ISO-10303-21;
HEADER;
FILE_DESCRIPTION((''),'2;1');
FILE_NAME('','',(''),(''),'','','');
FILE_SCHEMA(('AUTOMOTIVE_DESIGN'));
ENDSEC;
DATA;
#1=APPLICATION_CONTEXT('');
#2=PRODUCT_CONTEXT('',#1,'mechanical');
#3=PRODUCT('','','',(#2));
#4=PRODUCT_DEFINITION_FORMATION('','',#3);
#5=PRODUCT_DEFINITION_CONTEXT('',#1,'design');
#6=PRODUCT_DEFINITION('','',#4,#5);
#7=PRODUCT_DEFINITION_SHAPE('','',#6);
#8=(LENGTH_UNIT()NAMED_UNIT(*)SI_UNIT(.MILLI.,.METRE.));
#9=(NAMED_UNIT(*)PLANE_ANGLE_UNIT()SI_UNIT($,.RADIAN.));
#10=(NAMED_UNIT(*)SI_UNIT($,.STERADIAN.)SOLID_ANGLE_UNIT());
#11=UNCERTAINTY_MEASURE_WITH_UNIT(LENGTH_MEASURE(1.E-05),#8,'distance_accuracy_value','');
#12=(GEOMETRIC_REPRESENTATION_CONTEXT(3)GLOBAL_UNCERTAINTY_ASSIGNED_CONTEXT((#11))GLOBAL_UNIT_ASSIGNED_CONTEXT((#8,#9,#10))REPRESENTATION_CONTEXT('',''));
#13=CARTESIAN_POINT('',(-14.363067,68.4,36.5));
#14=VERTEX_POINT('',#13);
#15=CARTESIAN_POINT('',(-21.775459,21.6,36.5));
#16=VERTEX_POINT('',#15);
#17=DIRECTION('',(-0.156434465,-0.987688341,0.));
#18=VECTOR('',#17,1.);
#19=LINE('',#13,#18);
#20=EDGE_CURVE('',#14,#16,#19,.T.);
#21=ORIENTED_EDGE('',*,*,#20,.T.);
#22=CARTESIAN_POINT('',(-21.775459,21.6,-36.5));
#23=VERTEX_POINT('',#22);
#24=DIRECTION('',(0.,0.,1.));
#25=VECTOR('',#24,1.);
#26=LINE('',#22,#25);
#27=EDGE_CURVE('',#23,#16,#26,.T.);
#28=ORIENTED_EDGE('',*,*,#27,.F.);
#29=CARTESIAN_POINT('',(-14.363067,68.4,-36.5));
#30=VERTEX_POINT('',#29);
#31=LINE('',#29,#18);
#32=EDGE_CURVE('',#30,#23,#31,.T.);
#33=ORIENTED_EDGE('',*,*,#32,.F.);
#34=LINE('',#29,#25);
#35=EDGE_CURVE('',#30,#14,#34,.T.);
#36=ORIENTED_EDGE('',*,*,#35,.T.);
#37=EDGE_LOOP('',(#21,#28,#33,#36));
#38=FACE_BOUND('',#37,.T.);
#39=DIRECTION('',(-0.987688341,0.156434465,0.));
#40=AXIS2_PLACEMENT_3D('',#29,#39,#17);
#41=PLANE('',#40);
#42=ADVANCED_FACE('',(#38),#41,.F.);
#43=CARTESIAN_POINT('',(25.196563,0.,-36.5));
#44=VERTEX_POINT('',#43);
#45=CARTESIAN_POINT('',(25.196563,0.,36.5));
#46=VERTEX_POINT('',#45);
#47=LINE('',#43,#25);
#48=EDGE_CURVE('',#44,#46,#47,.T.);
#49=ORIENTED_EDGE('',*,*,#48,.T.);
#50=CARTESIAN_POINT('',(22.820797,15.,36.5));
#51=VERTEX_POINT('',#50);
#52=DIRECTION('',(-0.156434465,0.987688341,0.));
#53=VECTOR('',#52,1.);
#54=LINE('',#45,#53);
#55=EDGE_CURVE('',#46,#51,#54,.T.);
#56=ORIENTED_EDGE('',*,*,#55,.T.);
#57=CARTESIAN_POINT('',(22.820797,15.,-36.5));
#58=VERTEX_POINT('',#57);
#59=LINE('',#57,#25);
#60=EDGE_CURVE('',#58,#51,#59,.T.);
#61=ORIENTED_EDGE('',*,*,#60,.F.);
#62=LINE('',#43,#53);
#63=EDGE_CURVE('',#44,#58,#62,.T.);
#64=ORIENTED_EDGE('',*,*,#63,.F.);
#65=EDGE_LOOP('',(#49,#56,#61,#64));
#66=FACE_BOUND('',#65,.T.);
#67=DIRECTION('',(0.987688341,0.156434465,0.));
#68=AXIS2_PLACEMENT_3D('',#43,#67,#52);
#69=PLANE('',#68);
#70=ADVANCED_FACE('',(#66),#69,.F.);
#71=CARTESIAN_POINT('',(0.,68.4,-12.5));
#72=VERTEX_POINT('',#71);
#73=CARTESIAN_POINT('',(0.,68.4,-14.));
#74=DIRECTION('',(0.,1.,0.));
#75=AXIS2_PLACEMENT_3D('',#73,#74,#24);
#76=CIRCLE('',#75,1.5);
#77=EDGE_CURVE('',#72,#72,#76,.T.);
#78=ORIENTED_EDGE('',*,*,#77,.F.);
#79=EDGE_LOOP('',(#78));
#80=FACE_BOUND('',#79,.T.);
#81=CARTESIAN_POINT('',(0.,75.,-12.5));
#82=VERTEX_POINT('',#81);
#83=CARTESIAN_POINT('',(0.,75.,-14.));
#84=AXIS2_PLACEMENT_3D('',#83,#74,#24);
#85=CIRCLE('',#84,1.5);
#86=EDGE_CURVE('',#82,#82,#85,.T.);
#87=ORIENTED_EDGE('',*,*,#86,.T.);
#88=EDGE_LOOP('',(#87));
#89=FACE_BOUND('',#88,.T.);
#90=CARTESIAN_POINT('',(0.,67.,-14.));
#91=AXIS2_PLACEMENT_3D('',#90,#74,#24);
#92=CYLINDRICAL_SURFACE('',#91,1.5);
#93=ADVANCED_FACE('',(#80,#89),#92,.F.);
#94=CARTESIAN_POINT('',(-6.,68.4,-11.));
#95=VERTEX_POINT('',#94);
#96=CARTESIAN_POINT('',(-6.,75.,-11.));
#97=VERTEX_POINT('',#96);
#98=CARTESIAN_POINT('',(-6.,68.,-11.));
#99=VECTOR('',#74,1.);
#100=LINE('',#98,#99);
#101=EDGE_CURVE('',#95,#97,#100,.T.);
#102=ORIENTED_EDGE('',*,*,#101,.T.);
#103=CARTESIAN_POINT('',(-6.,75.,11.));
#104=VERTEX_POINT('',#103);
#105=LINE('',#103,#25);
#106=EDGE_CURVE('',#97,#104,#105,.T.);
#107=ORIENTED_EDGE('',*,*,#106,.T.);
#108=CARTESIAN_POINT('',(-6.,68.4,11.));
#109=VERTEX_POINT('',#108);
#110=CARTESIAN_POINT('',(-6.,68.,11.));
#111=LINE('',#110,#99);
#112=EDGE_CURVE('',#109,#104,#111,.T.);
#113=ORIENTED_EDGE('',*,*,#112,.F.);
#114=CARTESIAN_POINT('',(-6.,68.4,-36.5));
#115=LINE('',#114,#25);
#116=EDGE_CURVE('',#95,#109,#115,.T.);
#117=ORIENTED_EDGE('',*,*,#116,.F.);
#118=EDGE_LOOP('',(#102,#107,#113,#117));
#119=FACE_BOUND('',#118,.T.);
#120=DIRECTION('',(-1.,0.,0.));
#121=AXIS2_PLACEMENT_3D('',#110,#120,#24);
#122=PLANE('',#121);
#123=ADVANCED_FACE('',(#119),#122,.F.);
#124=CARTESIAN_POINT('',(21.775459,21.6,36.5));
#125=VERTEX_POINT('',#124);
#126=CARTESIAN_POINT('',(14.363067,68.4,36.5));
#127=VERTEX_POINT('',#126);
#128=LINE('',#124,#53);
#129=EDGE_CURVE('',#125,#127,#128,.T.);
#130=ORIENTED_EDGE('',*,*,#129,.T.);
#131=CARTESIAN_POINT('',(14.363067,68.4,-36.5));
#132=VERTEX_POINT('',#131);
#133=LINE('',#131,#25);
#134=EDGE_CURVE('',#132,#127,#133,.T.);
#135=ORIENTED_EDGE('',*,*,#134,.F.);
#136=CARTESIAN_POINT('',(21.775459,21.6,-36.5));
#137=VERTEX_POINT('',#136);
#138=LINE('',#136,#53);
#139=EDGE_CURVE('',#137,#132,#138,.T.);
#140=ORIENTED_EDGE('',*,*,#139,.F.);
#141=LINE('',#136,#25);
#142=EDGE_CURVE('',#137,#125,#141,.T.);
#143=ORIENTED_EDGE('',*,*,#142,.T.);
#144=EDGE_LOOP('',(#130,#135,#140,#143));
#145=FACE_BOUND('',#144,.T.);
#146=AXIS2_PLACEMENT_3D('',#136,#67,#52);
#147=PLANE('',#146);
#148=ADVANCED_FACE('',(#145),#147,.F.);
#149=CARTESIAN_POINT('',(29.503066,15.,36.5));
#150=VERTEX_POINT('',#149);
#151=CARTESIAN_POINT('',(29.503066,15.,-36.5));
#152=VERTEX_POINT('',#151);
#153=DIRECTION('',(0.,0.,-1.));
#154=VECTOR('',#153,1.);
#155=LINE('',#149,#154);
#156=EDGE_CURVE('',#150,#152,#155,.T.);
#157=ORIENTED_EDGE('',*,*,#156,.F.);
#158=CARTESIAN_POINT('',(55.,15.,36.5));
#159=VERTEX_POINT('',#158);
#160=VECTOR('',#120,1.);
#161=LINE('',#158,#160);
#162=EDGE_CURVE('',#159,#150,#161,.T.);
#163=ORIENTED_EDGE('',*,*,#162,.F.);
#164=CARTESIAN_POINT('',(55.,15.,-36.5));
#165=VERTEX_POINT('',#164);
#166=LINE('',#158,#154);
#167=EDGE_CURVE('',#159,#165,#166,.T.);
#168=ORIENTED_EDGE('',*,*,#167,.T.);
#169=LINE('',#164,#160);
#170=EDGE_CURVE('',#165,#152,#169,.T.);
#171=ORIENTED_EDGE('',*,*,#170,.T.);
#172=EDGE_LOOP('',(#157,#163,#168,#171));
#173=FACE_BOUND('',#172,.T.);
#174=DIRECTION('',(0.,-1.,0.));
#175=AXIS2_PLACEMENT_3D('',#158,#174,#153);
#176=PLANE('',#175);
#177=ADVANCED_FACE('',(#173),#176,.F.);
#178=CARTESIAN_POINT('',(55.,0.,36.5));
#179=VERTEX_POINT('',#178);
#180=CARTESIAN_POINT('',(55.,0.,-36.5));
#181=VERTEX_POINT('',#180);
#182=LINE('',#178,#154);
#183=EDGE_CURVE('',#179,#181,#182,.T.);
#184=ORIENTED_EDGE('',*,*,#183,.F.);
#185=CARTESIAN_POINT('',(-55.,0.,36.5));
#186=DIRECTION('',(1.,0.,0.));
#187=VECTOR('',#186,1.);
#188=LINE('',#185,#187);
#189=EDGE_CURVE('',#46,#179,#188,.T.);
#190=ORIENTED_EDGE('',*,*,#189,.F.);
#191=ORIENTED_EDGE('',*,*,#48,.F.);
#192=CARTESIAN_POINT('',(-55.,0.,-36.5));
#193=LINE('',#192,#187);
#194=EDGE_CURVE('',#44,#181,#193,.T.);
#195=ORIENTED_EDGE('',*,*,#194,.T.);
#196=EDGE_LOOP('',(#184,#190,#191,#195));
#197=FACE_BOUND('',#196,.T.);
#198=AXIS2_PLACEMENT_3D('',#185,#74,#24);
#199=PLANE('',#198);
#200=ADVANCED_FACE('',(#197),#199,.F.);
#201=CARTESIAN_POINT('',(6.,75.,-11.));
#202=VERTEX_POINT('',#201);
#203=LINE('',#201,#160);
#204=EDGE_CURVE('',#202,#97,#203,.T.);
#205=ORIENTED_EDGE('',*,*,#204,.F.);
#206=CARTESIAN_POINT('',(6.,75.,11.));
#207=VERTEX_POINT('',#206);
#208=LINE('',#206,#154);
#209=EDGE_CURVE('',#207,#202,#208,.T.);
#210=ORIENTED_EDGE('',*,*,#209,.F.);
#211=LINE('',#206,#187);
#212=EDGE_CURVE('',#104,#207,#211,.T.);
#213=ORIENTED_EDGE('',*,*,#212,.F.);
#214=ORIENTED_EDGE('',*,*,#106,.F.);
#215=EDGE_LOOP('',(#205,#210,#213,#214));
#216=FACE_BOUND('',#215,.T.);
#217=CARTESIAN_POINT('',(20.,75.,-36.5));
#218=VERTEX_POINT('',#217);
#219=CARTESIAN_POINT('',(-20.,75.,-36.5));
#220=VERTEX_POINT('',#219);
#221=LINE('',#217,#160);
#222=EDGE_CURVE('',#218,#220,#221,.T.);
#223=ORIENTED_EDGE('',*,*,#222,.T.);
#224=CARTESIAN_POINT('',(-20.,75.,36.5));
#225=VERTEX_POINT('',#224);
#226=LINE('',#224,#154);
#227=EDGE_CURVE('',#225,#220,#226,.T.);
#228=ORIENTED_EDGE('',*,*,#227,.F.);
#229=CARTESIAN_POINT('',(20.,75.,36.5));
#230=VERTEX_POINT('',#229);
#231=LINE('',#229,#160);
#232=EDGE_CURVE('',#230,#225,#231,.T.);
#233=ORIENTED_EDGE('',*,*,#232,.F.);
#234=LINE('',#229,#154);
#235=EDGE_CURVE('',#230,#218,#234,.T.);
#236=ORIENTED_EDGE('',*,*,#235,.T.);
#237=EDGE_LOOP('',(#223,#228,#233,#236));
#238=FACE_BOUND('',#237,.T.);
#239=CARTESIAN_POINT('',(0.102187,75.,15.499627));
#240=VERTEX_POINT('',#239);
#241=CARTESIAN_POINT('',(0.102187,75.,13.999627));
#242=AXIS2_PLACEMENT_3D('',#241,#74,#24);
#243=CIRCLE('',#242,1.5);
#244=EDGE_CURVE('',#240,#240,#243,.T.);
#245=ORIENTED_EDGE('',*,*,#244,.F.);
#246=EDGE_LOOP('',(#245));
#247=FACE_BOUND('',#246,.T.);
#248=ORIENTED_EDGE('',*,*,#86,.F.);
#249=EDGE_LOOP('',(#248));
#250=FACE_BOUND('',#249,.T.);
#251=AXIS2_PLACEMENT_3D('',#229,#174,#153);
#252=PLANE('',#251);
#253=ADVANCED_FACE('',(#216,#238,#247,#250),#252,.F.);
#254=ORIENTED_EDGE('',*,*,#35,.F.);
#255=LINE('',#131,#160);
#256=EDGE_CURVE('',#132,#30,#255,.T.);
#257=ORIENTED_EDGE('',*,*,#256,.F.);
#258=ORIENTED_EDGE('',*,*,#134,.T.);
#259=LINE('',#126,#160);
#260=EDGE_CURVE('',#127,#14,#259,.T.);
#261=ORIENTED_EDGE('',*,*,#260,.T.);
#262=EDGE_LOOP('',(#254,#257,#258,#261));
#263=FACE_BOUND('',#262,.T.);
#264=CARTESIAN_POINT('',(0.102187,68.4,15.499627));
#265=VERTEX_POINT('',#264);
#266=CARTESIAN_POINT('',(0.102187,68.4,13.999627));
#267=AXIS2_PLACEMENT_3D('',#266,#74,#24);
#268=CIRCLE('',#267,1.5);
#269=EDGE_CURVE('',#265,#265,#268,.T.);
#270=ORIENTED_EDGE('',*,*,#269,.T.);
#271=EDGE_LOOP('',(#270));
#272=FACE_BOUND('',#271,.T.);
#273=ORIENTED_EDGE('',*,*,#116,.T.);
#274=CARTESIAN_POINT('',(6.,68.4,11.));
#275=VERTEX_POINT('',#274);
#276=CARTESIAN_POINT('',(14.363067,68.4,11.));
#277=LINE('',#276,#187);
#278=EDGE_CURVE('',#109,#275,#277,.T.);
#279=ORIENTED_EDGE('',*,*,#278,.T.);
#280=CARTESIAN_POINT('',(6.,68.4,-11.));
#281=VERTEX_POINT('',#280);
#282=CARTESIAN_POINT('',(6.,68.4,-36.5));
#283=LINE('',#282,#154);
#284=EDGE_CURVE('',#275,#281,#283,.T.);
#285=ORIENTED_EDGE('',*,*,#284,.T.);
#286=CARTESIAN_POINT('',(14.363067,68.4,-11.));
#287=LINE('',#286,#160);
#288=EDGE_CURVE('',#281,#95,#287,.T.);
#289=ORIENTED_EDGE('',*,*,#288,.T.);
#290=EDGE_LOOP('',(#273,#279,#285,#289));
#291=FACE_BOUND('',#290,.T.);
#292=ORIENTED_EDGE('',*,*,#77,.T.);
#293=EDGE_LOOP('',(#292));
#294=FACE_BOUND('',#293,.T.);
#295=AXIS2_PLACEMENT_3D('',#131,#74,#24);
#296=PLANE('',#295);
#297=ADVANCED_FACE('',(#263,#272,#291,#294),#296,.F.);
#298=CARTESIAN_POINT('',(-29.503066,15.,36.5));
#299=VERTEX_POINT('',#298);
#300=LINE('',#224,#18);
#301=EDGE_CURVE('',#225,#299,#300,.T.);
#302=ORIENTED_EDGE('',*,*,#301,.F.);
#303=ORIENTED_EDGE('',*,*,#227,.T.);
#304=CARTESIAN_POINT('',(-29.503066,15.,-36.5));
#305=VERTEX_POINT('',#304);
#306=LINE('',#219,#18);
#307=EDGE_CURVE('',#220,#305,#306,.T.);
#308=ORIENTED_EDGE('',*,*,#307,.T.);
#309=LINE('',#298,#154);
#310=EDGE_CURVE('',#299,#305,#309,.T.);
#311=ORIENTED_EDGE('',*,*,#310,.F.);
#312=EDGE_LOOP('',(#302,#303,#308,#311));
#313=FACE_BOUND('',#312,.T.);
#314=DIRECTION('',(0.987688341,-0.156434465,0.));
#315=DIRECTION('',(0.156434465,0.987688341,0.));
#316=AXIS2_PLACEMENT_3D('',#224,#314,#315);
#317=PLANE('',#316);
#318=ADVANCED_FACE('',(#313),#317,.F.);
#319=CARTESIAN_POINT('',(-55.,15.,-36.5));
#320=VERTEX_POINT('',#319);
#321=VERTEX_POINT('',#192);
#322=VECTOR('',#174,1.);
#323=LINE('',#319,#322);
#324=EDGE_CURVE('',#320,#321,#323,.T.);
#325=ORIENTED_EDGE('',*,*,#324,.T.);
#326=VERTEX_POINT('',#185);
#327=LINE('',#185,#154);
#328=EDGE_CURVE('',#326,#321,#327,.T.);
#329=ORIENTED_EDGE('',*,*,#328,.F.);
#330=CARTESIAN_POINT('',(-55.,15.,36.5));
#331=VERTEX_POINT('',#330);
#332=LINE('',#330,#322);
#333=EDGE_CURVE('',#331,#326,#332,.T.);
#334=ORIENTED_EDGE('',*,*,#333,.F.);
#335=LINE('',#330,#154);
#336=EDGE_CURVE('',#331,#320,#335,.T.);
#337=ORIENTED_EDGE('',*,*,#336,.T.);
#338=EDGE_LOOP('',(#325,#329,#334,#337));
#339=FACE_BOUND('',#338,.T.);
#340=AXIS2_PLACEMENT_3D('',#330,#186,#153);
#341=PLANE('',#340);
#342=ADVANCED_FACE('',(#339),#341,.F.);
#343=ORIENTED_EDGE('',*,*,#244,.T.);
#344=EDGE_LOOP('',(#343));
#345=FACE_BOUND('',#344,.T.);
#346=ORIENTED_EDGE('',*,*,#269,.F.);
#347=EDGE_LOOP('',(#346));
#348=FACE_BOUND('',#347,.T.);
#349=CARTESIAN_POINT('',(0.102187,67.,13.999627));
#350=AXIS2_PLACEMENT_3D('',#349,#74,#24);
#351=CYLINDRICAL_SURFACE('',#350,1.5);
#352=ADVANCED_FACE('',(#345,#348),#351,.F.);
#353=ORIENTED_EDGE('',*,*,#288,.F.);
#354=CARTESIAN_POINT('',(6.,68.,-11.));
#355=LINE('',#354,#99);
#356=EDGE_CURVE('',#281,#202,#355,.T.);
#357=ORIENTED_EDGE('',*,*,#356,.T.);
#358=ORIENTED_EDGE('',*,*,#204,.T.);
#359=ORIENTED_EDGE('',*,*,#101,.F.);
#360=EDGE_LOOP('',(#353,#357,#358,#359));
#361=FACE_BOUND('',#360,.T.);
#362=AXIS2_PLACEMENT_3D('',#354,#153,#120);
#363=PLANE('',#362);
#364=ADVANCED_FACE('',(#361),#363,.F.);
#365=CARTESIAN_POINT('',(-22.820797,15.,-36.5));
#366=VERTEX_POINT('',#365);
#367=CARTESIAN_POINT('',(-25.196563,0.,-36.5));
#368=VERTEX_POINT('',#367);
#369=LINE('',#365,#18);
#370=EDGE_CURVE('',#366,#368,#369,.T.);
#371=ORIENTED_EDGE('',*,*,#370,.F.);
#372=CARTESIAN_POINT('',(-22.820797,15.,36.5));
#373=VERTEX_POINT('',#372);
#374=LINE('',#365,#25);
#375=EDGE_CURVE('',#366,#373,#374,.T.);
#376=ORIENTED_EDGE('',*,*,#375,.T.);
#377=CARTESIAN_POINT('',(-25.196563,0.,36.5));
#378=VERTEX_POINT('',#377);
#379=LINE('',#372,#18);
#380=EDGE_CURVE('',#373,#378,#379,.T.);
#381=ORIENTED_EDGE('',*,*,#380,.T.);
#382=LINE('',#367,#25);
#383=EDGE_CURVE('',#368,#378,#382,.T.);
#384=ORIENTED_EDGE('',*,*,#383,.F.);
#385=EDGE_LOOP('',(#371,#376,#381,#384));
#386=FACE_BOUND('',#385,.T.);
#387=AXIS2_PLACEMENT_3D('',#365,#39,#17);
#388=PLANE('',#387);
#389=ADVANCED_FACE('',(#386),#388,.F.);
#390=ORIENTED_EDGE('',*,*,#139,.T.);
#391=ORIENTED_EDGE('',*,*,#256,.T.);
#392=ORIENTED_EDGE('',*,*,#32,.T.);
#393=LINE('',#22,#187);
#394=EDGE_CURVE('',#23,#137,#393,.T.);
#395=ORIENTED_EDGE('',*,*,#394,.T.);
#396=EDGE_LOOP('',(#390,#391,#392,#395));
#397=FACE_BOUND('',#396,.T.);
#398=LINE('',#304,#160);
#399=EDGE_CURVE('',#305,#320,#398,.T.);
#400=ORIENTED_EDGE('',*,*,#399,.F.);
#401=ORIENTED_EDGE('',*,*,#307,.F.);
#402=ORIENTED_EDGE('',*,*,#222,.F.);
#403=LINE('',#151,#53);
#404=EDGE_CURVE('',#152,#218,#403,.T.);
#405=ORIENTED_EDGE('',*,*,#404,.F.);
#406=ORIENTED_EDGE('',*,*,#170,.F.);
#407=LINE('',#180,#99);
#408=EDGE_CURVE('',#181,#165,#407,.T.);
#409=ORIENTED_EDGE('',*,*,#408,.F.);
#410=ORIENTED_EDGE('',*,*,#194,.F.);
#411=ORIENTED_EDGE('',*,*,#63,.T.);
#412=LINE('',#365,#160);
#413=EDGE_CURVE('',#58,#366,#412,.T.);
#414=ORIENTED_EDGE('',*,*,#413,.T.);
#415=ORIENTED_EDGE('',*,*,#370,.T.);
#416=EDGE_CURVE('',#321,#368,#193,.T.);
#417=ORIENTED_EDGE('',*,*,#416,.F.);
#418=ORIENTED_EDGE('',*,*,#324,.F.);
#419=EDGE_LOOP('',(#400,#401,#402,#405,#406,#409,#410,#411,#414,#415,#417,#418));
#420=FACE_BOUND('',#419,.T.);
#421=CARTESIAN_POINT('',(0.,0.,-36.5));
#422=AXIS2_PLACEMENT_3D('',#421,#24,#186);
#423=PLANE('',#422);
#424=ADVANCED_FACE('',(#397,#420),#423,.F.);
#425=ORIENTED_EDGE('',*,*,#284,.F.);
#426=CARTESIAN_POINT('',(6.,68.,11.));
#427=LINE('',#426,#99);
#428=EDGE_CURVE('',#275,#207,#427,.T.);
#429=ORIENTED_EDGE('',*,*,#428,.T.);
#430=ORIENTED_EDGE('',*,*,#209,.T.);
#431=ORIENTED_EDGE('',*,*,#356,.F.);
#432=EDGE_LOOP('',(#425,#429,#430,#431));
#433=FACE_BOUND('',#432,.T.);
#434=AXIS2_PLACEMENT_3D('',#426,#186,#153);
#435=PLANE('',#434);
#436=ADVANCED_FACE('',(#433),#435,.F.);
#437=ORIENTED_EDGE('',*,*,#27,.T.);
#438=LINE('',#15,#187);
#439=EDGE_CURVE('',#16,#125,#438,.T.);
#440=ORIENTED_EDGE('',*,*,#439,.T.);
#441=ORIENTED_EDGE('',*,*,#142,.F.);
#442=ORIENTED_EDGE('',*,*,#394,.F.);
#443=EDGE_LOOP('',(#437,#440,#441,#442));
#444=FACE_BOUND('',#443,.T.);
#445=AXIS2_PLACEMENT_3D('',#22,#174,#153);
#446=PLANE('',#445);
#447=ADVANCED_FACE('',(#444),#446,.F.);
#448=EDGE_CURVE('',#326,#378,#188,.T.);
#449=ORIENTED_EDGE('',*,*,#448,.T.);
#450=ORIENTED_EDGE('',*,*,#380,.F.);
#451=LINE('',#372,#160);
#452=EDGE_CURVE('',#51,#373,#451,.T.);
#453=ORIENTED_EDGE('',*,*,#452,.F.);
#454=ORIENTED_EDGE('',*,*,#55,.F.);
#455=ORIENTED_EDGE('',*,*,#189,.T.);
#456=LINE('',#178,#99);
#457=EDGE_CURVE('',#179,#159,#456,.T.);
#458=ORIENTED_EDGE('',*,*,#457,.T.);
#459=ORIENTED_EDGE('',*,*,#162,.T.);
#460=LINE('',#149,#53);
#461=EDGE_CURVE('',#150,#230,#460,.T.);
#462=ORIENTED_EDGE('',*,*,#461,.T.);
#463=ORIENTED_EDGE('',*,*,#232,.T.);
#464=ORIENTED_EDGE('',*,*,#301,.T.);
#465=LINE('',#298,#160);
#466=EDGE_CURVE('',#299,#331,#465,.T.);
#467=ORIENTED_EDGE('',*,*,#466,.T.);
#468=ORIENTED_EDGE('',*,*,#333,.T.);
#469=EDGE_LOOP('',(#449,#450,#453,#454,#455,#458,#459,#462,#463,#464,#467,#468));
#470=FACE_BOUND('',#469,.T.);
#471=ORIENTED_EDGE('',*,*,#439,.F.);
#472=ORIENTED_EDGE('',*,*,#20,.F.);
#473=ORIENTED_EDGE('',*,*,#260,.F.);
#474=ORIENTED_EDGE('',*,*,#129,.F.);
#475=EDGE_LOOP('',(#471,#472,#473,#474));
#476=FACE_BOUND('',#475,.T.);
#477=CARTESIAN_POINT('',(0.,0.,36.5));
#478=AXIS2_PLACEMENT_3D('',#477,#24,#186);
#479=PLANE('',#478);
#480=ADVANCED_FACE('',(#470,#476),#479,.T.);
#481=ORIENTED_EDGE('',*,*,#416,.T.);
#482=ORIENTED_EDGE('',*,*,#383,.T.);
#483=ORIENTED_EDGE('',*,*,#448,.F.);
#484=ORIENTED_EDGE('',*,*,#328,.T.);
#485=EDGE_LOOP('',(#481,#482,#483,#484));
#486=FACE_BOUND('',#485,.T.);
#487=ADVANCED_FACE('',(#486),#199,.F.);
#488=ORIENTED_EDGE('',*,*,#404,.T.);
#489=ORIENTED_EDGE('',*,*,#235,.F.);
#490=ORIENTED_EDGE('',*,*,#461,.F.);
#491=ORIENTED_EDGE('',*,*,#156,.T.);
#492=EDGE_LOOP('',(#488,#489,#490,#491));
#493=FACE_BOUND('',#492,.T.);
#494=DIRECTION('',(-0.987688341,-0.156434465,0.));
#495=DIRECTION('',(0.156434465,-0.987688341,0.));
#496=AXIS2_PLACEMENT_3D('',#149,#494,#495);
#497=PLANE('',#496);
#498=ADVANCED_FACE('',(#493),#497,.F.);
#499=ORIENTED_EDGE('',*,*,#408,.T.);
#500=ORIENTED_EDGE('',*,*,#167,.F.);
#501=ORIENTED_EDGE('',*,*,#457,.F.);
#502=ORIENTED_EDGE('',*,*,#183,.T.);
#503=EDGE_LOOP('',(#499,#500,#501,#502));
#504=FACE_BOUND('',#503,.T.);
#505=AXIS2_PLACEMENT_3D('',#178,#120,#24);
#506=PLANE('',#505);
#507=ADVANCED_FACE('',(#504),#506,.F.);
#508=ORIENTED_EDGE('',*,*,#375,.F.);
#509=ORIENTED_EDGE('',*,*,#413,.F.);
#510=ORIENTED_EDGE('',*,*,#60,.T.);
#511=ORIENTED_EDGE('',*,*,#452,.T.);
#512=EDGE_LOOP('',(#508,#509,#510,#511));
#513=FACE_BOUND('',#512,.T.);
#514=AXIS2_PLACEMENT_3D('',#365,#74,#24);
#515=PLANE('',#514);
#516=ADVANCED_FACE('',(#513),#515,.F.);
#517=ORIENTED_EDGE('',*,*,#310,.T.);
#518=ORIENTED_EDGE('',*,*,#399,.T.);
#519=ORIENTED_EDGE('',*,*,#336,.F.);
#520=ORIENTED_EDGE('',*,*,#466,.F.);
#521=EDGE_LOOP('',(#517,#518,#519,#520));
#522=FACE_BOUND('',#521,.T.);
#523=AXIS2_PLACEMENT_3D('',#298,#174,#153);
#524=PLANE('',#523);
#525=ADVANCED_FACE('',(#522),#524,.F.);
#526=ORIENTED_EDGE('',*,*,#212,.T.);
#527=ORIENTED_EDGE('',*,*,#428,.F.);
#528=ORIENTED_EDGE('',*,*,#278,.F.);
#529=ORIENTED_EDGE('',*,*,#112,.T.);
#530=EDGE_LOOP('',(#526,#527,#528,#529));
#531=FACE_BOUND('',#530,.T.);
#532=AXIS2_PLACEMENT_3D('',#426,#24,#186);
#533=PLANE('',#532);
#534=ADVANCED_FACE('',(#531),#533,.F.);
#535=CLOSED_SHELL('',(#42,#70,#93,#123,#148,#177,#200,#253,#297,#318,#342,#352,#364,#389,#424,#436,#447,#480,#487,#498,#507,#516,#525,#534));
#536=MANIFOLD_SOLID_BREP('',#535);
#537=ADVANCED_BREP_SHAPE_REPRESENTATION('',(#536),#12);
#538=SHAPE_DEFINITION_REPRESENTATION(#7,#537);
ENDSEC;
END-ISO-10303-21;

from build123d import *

# Parameters (mm, degrees)
BOSS_EXTRUDE1_DEPTH = 36.5
CUT_EXTRUDE1_DEPTH  = 119.232821162
SKETCH3_W           = 12
SKETCH3_H           = 22
CUT_EXTRUDE4_DEPTH  = 7
SKETCH7_R           = 1.5
CUT_EXTRUDE10_DEPTH = 8


with BuildPart() as part:
    # Sketch1 → Boss-Extrude1 (new, symmetric)
    with BuildSketch(Plane.XY):
        Polygon((-55, 0), (55, 0), (55, 15), (29.503066419, 15), (20, 75), (-20, 75), (-29.503066419, 15), (-55, 15), align=None)
    extrude(amount=BOSS_EXTRUDE1_DEPTH, both=True)

    # Sketch2 → Cut-Extrude1 (cut, through all)
    with BuildSketch(Plane.XY.offset(36.5)):
        Polygon((-22.820796589, 15), (22.820796589, 15), (25.196563194, 0), (-25.196563194, 0), align=None)
        Polygon((-21.775459283, 21.6), (21.775459283, 21.6), (14.363067476, 68.4), (-14.363067476, 68.4), align=None)
    extrude(amount=-CUT_EXTRUDE1_DEPTH, mode=Mode.SUBTRACT)

    # Sketch3 → Cut-Extrude4 (cut)
    with BuildSketch(Plane(origin=(0, 75, 0), x_dir=(1, 0, 0), z_dir=(0, 1, 0))):
        Rectangle(SKETCH3_W, SKETCH3_H)
    extrude(amount=-CUT_EXTRUDE4_DEPTH, mode=Mode.SUBTRACT)

    # Sketch7 → Cut-Extrude10 (cut)
    with BuildSketch(Plane(origin=(0, 75, 0), x_dir=(1, 0, 0), z_dir=(0, 1, 0))):
        with Locations(Location((0, 14, 0), (0, 0, 270))):
            Circle(SKETCH7_R)
        with Locations(Location((0.102187059, -13.999627059, 0), (0, 0, 270))):
            Circle(SKETCH7_R)
    extrude(amount=-CUT_EXTRUDE10_DEPTH, mode=Mode.SUBTRACT)


solid = part.part
